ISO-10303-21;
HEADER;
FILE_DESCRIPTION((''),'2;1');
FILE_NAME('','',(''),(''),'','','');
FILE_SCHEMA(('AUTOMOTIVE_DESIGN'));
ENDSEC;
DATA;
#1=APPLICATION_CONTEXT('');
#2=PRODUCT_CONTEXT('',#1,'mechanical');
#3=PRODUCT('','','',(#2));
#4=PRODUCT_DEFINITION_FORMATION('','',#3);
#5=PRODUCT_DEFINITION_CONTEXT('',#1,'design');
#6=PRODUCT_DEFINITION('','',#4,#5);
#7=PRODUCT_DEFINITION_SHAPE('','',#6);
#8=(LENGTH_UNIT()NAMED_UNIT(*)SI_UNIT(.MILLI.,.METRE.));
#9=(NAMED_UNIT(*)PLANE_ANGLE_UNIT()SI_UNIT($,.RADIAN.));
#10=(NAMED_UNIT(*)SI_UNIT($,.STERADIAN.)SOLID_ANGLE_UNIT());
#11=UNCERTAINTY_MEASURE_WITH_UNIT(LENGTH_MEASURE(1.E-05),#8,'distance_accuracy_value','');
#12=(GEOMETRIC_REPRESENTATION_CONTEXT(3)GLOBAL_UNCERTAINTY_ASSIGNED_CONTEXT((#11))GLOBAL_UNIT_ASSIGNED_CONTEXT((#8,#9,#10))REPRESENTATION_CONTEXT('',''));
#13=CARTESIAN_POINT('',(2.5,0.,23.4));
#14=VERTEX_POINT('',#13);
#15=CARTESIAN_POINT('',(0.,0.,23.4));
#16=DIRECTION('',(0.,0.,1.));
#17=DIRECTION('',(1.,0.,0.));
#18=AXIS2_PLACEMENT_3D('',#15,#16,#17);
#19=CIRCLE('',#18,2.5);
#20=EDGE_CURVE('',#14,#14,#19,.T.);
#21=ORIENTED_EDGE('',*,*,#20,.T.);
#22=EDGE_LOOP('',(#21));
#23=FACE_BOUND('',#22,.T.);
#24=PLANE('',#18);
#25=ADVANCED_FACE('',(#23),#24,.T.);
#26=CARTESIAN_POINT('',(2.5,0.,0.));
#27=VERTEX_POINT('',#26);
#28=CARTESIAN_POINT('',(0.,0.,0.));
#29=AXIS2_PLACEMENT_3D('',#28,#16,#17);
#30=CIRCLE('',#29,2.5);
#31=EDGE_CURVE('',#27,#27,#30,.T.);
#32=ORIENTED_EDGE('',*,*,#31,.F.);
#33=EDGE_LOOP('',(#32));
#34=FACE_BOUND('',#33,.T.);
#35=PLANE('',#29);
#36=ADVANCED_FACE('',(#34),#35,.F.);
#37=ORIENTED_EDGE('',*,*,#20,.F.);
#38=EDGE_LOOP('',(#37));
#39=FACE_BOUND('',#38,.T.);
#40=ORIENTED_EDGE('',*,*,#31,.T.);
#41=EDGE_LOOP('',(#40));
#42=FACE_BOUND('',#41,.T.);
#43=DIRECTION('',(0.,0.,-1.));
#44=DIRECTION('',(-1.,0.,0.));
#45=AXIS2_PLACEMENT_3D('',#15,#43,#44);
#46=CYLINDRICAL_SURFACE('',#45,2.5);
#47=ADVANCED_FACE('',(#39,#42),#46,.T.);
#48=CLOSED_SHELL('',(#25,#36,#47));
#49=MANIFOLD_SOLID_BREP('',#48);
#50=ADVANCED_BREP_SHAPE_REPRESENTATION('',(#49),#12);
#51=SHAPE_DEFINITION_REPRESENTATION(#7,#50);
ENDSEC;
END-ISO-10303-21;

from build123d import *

# Parameters (mm, degrees)
BODY_SKETCH_R = 2.5
BODY_DEPTH    = 23.4


with BuildPart() as part:
    # Body sketch → Body (new body)
    with BuildSketch(Plane.XY):
        Circle(BODY_SKETCH_R)
    extrude(amount=BODY_DEPTH)


solid = part.part
